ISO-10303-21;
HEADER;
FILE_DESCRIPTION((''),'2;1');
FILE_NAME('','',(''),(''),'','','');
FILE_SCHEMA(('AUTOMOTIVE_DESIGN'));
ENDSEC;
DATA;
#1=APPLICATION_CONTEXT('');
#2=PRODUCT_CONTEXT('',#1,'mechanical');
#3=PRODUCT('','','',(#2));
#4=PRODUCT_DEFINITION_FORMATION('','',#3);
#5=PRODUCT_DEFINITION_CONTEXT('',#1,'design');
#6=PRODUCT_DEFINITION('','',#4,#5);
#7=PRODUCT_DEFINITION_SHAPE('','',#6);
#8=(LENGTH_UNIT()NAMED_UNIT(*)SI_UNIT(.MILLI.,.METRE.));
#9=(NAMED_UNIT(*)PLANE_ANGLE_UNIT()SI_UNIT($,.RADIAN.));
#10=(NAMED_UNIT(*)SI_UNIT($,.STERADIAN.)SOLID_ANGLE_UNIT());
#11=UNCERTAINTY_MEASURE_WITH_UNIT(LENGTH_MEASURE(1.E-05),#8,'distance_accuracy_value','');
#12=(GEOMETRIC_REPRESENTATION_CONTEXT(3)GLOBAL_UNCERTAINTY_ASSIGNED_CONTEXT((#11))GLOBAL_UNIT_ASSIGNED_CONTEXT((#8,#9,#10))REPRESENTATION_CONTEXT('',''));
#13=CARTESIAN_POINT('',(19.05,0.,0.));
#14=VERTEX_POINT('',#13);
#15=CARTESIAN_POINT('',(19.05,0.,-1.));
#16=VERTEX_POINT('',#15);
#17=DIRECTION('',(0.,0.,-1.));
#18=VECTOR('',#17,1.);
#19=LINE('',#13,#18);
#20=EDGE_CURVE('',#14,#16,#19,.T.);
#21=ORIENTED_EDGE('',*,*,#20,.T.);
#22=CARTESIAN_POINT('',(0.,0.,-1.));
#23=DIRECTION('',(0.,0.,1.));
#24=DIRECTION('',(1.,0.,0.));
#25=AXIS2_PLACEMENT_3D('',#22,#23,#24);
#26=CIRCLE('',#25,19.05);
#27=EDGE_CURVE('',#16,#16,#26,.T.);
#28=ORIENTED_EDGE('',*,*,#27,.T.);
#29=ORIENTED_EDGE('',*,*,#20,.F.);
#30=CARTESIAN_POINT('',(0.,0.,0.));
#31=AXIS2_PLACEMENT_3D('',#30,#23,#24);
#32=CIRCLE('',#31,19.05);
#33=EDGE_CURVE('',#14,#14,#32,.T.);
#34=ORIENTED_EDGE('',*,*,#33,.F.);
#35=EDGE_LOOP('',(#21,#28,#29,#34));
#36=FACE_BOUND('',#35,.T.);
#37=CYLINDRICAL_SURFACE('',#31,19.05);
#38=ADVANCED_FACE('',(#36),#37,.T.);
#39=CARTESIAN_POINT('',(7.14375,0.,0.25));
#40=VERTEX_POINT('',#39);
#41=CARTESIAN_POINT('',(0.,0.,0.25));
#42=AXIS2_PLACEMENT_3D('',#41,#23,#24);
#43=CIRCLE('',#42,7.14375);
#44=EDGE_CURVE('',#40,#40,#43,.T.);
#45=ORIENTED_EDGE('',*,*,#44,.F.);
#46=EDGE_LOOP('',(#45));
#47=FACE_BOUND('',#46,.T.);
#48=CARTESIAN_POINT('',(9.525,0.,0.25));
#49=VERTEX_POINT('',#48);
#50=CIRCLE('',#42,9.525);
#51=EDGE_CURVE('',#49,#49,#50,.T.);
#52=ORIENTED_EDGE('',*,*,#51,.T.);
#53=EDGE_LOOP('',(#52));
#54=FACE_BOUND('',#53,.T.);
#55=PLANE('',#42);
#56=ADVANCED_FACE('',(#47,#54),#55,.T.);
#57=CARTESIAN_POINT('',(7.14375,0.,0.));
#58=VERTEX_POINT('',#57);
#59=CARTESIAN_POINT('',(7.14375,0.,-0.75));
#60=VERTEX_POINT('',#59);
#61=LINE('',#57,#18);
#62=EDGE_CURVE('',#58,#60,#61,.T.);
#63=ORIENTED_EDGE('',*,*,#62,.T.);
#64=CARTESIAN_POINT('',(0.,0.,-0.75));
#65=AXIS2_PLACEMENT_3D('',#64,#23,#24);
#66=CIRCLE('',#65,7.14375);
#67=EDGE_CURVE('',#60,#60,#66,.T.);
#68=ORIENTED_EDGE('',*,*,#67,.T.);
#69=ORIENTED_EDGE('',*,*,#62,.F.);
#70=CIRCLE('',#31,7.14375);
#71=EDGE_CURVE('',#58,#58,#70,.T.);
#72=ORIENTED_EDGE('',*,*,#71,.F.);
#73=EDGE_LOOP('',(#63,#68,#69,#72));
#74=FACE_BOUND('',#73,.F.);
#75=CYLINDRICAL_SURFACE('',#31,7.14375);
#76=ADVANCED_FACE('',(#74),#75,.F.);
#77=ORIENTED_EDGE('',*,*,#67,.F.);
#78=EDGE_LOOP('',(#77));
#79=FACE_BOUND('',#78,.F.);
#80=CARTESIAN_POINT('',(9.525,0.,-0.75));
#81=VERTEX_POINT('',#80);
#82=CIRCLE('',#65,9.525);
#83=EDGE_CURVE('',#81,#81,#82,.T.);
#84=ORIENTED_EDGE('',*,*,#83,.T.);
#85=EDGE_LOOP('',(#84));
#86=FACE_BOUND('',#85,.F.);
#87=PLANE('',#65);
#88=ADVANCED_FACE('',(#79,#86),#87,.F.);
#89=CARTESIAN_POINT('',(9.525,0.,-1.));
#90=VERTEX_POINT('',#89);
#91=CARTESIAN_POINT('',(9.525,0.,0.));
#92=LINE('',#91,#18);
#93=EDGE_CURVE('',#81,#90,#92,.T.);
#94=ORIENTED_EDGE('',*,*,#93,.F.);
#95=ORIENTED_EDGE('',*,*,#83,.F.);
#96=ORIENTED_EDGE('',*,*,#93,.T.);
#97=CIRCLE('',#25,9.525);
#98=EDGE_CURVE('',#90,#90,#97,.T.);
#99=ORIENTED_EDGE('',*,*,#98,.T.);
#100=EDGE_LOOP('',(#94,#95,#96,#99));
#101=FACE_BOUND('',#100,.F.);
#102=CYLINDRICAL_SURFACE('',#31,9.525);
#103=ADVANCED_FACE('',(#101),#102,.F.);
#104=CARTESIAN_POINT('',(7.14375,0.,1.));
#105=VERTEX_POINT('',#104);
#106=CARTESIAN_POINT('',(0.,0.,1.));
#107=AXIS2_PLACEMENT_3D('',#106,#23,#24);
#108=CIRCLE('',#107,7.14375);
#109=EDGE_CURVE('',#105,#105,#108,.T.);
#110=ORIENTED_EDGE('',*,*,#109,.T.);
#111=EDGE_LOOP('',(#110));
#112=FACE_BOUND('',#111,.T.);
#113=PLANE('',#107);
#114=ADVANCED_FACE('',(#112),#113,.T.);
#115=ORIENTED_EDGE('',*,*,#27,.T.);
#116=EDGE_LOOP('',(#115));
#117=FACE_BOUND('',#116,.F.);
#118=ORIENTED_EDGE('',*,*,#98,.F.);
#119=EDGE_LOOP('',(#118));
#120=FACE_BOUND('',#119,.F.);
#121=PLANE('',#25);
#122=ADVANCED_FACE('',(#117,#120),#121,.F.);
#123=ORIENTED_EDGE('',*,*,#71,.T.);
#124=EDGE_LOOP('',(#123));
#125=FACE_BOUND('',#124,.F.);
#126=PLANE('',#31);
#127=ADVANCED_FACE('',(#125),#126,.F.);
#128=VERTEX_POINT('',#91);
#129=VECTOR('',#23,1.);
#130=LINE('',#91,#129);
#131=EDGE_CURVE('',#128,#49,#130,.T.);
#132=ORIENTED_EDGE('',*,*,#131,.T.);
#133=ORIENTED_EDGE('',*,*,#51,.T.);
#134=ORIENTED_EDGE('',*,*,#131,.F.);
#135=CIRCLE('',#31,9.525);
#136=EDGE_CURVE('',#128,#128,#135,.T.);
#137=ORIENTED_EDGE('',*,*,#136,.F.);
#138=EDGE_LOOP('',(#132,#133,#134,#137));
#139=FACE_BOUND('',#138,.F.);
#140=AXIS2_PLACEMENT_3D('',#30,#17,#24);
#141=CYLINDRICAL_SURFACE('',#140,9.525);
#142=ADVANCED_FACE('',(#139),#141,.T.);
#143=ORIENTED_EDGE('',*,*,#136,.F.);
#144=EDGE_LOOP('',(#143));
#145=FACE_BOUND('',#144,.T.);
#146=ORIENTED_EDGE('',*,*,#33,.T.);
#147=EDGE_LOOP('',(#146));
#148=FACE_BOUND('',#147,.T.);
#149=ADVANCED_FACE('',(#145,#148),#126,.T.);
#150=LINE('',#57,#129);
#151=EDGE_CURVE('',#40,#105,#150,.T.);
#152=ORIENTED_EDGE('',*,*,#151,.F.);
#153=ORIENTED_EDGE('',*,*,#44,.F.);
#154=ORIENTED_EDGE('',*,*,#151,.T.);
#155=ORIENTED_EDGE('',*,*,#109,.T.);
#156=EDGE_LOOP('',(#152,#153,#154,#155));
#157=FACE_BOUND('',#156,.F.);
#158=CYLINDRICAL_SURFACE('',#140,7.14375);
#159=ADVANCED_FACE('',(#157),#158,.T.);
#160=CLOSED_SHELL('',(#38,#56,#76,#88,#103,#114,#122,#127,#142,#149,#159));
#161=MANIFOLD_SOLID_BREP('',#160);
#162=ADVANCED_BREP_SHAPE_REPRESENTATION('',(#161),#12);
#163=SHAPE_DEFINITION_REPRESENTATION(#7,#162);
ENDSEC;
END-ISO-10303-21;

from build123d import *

# Parameters (mm, degrees)
F0_R     = 19.05
F0_R_2   = 9.525
F1_DEPTH = 1
F0_R_3   = 7.14375
F2_DEPTH = 0.25
F3_DEPTH = 1
F4_DEPTH = 0.75


with BuildPart() as f1:
    # F0 (on Top) → F1 (new body)
    with BuildSketch(Plane.XY):
        Circle(F0_R)
        Circle(F0_R_2, mode=Mode.SUBTRACT)
    extrude(amount=-F1_DEPTH)



with BuildPart() as f2:
    # F0 (on Top) → F2 (new body)
    with BuildSketch(Plane.XY):
        Circle(F0_R_2)
        Circle(F0_R_3, mode=Mode.SUBTRACT)
    extrude(amount=F2_DEPTH)

    # F0 (on Top) → F3 (join)
    with BuildSketch(Plane.XY):
        Circle(F0_R_3)
    extrude(amount=F3_DEPTH)


with BuildPart() as f1_1:
    add(f1.part)

    add(f2.part)  # F4 merges F2
    # F0 (on Top) → F4 (join)
    with BuildSketch(Plane.XY):
        Circle(F0_R_2)
        Circle(F0_R_3, mode=Mode.SUBTRACT)
    extrude(amount=-F4_DEPTH)


with BuildPart() as f5_1:
    # F5: copy of F1
    add(f1_1.part.moved(Location((0, 0, -6.35))))


solid = f1_1.part
